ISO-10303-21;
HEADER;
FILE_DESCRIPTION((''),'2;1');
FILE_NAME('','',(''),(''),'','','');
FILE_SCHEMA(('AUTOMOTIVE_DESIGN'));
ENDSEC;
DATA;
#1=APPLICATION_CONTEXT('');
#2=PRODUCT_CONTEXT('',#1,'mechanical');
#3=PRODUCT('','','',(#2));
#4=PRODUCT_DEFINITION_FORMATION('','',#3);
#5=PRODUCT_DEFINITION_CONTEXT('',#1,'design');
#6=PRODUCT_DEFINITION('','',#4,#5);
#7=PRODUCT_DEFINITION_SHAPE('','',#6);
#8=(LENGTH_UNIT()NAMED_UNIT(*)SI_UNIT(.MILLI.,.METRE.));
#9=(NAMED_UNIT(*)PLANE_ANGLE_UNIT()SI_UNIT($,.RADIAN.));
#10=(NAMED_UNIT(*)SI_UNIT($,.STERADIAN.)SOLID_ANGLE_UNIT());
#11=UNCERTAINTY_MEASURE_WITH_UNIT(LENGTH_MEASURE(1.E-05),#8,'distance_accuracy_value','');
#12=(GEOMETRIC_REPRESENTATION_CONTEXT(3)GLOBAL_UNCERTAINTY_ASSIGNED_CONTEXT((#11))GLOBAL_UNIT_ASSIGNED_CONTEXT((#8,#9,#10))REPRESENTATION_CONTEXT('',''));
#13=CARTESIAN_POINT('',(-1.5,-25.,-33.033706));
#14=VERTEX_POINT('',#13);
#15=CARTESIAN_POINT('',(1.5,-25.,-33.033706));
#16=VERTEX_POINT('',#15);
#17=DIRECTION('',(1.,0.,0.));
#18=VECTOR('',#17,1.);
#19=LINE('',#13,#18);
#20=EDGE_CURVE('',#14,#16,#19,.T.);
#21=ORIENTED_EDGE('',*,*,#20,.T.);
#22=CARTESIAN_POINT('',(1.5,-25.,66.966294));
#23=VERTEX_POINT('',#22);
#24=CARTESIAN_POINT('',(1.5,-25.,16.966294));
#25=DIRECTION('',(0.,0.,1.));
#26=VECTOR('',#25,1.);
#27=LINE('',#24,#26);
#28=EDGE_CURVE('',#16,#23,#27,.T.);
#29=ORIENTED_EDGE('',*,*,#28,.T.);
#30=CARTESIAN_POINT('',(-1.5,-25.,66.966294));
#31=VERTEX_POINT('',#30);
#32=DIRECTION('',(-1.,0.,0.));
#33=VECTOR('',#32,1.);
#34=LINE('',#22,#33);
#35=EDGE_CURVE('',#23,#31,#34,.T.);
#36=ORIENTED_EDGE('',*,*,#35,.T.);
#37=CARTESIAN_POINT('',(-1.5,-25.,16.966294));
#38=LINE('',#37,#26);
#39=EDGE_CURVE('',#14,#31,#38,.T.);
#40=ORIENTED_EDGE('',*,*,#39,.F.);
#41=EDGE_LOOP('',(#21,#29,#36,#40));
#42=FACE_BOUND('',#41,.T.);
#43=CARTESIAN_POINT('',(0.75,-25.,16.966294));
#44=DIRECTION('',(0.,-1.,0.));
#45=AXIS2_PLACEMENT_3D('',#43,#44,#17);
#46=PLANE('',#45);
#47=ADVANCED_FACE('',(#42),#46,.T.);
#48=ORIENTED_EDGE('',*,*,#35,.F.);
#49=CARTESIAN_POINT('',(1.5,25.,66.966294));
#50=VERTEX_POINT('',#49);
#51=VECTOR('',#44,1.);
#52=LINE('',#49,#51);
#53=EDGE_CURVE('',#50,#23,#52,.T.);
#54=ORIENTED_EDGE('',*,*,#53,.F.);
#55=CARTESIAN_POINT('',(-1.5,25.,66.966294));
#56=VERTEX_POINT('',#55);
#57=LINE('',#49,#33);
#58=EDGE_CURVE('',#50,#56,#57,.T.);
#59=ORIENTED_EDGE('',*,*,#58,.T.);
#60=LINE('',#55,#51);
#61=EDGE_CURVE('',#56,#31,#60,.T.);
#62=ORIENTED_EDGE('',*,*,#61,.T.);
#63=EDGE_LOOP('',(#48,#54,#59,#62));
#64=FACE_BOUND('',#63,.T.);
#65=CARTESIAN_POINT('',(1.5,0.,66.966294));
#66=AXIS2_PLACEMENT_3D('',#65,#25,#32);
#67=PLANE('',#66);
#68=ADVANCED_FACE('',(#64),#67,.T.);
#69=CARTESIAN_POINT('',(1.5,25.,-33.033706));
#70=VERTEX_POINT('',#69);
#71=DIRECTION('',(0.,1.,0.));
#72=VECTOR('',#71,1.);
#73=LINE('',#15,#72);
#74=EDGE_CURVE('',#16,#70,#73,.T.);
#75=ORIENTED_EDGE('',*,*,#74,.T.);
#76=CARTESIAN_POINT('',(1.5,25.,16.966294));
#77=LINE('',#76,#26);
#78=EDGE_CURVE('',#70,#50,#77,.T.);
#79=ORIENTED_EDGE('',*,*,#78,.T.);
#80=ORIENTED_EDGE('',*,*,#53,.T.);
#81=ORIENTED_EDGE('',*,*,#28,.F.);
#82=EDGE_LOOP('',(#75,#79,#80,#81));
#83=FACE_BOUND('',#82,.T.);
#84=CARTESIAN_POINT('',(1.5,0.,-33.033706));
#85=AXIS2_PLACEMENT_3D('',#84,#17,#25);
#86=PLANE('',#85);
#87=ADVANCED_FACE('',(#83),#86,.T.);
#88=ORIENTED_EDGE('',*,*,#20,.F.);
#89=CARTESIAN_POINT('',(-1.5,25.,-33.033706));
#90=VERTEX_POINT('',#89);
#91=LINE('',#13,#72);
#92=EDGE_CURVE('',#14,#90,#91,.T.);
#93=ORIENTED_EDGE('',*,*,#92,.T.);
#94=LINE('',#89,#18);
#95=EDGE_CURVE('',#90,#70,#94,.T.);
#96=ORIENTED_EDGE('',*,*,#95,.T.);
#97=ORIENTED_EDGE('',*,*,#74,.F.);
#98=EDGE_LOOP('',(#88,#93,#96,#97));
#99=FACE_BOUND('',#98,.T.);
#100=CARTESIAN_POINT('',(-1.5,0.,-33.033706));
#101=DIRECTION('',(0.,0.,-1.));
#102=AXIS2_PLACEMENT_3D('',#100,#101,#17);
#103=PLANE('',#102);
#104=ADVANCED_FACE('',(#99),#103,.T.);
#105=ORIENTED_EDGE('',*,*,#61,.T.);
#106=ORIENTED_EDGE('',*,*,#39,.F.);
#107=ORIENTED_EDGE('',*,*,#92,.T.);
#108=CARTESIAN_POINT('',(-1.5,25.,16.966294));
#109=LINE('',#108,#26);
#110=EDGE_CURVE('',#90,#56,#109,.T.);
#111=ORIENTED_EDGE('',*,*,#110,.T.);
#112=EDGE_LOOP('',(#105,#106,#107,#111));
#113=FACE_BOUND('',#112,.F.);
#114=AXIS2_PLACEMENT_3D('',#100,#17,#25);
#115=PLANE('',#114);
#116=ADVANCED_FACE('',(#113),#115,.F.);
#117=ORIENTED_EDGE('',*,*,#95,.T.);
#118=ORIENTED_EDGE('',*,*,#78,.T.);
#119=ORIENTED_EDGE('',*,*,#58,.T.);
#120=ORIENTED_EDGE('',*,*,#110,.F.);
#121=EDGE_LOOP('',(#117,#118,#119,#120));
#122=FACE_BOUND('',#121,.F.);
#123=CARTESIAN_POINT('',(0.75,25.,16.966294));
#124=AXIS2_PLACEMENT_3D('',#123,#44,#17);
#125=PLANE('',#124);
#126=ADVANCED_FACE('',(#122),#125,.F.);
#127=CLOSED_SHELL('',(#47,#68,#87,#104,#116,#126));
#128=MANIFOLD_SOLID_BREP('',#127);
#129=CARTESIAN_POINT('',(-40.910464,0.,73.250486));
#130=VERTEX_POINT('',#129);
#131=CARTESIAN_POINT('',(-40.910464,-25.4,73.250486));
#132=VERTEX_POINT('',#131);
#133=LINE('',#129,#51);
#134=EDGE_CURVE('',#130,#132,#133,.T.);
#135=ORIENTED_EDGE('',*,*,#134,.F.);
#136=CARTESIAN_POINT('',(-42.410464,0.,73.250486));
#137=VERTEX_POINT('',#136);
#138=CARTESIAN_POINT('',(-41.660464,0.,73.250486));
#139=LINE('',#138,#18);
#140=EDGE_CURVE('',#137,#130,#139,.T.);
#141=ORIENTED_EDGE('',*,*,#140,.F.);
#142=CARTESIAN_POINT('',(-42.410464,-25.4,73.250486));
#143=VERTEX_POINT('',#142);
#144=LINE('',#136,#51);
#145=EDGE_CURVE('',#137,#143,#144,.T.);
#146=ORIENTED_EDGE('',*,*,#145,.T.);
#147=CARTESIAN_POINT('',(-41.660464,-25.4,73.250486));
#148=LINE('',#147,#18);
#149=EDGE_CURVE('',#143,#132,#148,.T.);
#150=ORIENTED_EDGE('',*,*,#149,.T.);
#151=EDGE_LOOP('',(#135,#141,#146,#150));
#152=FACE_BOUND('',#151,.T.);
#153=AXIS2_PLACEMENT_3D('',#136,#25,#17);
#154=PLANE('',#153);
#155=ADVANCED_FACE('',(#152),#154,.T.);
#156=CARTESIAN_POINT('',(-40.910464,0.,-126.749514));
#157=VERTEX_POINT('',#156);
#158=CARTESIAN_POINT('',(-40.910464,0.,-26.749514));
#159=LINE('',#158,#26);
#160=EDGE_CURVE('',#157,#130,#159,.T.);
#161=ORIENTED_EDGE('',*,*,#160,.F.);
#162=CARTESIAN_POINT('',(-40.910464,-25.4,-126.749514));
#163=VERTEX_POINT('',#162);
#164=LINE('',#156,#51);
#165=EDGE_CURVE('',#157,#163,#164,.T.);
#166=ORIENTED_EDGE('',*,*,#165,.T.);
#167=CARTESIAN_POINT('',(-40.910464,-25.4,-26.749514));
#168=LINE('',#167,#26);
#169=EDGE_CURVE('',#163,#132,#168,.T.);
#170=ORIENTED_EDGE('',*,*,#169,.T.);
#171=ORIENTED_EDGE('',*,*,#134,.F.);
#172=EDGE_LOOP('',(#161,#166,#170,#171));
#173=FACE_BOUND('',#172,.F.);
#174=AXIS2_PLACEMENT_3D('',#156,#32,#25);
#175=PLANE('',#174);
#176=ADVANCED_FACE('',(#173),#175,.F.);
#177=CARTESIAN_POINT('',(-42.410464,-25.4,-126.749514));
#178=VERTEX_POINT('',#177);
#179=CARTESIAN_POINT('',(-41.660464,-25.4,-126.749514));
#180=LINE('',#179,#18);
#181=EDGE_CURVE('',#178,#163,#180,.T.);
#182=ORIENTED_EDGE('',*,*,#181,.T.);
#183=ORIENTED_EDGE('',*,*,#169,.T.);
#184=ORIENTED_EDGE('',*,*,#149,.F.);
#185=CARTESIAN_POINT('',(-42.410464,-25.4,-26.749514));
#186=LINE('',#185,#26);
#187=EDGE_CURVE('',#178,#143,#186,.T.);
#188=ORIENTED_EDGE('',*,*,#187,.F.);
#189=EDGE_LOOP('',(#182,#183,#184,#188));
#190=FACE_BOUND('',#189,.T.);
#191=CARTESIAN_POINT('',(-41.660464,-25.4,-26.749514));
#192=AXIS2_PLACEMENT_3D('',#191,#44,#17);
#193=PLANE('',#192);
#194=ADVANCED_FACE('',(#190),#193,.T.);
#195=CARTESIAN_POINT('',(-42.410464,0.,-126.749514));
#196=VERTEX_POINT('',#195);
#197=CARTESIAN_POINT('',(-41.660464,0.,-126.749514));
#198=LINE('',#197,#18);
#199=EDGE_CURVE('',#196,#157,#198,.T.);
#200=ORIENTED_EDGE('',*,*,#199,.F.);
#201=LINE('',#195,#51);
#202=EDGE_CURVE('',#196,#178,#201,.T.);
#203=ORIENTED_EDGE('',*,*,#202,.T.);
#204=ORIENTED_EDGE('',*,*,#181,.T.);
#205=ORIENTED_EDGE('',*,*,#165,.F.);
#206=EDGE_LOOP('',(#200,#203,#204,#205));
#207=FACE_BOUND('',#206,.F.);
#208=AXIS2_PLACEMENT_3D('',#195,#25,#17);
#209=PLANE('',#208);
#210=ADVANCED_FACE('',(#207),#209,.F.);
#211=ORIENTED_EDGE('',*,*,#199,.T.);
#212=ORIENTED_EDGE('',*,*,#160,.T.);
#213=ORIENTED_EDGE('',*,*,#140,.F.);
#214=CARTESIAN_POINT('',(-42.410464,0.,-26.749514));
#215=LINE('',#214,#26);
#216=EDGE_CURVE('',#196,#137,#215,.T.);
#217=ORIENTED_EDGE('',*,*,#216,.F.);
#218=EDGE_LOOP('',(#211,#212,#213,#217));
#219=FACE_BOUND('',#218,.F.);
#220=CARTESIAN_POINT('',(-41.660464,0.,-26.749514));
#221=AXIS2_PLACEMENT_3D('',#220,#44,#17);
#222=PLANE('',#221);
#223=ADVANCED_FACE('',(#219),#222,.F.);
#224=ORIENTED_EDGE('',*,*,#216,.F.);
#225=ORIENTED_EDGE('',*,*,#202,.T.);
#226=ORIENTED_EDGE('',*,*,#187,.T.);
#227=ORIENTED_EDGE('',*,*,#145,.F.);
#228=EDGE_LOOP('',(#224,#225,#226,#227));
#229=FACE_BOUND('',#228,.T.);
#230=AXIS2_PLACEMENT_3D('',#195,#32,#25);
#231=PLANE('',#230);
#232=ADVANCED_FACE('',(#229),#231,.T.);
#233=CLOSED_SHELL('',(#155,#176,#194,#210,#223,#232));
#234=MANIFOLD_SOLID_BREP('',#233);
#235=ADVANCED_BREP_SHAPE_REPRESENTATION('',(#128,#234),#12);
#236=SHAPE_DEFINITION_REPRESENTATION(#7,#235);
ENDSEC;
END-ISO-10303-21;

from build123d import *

# Parameters (mm, degrees)
F0_W     = 1.5
F0_H     = 100
F1_DEPTH = 25
F2_W     = 1.5
F2_H     = 200
F3_DEPTH = 25.4


with BuildPart() as f1:
    # F0 (on Front) → F1 (new body, symmetric)
    with BuildSketch(Plane.XZ):
        with Locations((0.75, 16.966294)):
            Rectangle(F0_W, F0_H)
        with Locations((-0.75, 16.966294)):
            Rectangle(F0_W, F0_H)
    extrude(amount=F1_DEPTH, both=True)


with BuildPart() as f3:
    # F2 (on Front) → F3 (new body)
    with BuildSketch(Plane.XZ):
        with Locations((-41.660464, -26.749514)):
            Rectangle(F2_W, F2_H)
    extrude(amount=F3_DEPTH)


solid = Compound([f1.part, f3.part])
